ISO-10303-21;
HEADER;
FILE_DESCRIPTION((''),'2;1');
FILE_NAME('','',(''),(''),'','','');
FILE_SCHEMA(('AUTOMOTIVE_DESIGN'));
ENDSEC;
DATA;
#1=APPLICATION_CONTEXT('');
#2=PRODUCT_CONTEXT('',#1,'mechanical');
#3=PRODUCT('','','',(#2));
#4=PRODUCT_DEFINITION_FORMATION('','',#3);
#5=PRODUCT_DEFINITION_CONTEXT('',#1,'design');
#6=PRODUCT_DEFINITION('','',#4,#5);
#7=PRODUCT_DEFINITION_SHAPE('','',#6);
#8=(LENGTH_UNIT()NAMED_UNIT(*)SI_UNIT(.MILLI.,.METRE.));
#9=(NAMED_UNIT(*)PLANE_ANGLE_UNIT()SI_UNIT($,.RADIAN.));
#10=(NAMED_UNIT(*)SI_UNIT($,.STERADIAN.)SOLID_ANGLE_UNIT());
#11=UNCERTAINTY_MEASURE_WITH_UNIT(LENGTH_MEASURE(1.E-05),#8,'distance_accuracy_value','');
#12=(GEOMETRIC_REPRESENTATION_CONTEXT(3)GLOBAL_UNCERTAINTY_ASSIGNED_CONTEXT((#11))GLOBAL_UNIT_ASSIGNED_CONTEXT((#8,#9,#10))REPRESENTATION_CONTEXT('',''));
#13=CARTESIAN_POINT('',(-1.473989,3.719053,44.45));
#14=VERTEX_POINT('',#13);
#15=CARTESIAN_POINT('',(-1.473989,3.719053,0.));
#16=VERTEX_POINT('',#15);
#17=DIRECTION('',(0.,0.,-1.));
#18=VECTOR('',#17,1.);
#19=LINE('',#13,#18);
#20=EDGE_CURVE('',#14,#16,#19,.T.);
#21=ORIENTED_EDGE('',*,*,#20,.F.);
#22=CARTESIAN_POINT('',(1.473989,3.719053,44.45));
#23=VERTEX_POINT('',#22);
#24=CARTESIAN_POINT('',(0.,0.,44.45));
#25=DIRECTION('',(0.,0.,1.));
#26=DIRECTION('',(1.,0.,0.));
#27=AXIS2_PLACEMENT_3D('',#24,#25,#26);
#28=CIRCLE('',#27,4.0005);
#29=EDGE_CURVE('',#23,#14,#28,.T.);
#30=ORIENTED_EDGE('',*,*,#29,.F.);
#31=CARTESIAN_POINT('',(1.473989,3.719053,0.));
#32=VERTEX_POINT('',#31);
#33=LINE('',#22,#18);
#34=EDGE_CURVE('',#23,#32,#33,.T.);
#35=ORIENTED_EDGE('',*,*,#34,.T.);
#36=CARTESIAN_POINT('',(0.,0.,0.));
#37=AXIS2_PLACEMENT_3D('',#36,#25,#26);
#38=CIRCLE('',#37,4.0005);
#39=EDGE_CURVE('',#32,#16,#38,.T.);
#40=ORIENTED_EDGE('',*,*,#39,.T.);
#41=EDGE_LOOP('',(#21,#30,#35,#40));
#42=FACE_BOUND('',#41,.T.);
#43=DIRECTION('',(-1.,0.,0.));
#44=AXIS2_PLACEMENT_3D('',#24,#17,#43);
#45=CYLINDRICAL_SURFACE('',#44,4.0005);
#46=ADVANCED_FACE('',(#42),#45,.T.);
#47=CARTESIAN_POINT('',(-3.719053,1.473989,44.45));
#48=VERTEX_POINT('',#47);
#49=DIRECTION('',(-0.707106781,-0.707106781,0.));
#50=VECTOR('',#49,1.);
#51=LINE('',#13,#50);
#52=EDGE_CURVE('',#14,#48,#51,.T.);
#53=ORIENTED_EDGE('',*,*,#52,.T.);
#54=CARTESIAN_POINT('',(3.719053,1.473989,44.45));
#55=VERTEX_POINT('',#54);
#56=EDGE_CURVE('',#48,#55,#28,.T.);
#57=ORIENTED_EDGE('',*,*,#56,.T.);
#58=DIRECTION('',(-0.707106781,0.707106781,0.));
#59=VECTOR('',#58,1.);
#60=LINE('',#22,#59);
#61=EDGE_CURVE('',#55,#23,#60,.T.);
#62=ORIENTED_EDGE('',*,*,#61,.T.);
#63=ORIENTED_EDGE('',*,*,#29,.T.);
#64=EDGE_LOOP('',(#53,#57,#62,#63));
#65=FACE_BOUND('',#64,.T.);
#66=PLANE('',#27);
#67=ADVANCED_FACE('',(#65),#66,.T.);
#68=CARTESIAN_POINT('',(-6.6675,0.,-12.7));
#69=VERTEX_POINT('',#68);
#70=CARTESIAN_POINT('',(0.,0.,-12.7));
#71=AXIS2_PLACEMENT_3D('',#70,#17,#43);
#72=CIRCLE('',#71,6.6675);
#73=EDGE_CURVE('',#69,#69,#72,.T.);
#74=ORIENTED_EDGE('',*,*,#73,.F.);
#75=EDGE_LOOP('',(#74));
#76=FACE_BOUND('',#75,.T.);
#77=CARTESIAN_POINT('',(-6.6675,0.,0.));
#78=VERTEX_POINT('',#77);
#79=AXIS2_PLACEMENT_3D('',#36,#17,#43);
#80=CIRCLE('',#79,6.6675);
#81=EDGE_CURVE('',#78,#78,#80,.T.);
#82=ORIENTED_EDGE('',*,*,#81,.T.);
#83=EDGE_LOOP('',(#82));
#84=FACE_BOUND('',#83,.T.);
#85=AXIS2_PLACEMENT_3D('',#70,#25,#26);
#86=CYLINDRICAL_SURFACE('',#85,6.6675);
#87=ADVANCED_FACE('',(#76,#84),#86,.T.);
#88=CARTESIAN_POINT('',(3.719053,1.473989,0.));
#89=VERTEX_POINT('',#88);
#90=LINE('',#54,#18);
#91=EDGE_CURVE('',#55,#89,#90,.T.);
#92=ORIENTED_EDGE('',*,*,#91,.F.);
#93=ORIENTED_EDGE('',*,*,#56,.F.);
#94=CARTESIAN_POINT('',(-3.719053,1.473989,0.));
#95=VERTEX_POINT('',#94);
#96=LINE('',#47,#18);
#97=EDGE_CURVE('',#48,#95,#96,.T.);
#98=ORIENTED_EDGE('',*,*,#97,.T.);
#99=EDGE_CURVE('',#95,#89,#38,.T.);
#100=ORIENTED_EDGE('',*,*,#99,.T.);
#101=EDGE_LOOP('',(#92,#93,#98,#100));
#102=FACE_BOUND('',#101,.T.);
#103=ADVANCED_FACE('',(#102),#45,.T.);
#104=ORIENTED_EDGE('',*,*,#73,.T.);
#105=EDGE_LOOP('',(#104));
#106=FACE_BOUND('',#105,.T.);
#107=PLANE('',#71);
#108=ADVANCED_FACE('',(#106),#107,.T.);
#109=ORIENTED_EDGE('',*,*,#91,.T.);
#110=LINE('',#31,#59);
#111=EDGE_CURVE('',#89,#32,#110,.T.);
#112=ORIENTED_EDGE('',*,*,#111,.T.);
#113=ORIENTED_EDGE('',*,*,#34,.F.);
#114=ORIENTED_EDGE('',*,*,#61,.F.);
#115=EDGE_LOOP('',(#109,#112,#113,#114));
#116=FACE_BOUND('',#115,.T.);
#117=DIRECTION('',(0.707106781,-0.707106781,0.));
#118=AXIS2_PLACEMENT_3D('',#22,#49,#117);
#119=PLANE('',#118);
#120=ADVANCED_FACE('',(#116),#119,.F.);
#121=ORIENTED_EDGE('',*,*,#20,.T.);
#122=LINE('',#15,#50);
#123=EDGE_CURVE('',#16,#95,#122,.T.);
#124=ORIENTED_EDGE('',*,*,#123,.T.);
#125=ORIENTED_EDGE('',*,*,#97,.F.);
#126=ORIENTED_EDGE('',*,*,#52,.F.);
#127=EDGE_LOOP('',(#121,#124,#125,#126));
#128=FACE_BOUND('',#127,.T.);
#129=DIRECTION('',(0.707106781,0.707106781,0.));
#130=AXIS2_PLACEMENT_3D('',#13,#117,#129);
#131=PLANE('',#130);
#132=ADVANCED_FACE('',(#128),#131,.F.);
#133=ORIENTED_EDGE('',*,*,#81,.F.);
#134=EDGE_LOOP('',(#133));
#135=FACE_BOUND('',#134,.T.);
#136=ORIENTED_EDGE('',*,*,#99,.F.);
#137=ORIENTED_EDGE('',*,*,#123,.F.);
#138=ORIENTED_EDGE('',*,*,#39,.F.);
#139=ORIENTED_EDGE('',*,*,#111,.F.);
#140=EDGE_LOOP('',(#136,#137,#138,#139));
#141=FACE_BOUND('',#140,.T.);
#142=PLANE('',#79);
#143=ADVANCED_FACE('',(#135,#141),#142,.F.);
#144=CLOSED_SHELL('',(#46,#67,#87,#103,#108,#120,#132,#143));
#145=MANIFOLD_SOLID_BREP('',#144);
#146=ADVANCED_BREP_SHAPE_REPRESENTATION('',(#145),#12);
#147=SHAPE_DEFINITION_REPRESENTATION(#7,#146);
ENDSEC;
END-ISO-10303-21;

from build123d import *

# Parameters (mm, degrees)
BOSS_EXTRUDE1_DEPTH = 44.45
SKETCH2_R           = 6.6675
BOSS_EXTRUDE2_DEPTH = 12.7


with BuildPart() as part:
    # Sketch1 → Boss-Extrude1 (new body)
    with BuildSketch(Plane.XY):
        with BuildLine():
            Line((-1.473989119, 3.719053149), (-3.719053149, 1.473989119))
            ThreePointArc((-3.719053149, 1.473989119), (0, -4.0005), (3.719053149, 1.473989119))
            Line((3.719053149, 1.473989119), (1.473989119, 3.719053149))
            ThreePointArc((1.473989119, 3.719053149), (0, 4.0005), (-1.473989119, 3.719053149))
        make_face()
    extrude(amount=BOSS_EXTRUDE1_DEPTH)

    # Sketch2 → Boss-Extrude2 (add)
    with BuildSketch(Plane(origin=(0, 0, 0), x_dir=(-1, 0, 0), z_dir=(0, 0, -1))):
        Circle(SKETCH2_R)
    extrude(amount=BOSS_EXTRUDE2_DEPTH)


solid = part.part
